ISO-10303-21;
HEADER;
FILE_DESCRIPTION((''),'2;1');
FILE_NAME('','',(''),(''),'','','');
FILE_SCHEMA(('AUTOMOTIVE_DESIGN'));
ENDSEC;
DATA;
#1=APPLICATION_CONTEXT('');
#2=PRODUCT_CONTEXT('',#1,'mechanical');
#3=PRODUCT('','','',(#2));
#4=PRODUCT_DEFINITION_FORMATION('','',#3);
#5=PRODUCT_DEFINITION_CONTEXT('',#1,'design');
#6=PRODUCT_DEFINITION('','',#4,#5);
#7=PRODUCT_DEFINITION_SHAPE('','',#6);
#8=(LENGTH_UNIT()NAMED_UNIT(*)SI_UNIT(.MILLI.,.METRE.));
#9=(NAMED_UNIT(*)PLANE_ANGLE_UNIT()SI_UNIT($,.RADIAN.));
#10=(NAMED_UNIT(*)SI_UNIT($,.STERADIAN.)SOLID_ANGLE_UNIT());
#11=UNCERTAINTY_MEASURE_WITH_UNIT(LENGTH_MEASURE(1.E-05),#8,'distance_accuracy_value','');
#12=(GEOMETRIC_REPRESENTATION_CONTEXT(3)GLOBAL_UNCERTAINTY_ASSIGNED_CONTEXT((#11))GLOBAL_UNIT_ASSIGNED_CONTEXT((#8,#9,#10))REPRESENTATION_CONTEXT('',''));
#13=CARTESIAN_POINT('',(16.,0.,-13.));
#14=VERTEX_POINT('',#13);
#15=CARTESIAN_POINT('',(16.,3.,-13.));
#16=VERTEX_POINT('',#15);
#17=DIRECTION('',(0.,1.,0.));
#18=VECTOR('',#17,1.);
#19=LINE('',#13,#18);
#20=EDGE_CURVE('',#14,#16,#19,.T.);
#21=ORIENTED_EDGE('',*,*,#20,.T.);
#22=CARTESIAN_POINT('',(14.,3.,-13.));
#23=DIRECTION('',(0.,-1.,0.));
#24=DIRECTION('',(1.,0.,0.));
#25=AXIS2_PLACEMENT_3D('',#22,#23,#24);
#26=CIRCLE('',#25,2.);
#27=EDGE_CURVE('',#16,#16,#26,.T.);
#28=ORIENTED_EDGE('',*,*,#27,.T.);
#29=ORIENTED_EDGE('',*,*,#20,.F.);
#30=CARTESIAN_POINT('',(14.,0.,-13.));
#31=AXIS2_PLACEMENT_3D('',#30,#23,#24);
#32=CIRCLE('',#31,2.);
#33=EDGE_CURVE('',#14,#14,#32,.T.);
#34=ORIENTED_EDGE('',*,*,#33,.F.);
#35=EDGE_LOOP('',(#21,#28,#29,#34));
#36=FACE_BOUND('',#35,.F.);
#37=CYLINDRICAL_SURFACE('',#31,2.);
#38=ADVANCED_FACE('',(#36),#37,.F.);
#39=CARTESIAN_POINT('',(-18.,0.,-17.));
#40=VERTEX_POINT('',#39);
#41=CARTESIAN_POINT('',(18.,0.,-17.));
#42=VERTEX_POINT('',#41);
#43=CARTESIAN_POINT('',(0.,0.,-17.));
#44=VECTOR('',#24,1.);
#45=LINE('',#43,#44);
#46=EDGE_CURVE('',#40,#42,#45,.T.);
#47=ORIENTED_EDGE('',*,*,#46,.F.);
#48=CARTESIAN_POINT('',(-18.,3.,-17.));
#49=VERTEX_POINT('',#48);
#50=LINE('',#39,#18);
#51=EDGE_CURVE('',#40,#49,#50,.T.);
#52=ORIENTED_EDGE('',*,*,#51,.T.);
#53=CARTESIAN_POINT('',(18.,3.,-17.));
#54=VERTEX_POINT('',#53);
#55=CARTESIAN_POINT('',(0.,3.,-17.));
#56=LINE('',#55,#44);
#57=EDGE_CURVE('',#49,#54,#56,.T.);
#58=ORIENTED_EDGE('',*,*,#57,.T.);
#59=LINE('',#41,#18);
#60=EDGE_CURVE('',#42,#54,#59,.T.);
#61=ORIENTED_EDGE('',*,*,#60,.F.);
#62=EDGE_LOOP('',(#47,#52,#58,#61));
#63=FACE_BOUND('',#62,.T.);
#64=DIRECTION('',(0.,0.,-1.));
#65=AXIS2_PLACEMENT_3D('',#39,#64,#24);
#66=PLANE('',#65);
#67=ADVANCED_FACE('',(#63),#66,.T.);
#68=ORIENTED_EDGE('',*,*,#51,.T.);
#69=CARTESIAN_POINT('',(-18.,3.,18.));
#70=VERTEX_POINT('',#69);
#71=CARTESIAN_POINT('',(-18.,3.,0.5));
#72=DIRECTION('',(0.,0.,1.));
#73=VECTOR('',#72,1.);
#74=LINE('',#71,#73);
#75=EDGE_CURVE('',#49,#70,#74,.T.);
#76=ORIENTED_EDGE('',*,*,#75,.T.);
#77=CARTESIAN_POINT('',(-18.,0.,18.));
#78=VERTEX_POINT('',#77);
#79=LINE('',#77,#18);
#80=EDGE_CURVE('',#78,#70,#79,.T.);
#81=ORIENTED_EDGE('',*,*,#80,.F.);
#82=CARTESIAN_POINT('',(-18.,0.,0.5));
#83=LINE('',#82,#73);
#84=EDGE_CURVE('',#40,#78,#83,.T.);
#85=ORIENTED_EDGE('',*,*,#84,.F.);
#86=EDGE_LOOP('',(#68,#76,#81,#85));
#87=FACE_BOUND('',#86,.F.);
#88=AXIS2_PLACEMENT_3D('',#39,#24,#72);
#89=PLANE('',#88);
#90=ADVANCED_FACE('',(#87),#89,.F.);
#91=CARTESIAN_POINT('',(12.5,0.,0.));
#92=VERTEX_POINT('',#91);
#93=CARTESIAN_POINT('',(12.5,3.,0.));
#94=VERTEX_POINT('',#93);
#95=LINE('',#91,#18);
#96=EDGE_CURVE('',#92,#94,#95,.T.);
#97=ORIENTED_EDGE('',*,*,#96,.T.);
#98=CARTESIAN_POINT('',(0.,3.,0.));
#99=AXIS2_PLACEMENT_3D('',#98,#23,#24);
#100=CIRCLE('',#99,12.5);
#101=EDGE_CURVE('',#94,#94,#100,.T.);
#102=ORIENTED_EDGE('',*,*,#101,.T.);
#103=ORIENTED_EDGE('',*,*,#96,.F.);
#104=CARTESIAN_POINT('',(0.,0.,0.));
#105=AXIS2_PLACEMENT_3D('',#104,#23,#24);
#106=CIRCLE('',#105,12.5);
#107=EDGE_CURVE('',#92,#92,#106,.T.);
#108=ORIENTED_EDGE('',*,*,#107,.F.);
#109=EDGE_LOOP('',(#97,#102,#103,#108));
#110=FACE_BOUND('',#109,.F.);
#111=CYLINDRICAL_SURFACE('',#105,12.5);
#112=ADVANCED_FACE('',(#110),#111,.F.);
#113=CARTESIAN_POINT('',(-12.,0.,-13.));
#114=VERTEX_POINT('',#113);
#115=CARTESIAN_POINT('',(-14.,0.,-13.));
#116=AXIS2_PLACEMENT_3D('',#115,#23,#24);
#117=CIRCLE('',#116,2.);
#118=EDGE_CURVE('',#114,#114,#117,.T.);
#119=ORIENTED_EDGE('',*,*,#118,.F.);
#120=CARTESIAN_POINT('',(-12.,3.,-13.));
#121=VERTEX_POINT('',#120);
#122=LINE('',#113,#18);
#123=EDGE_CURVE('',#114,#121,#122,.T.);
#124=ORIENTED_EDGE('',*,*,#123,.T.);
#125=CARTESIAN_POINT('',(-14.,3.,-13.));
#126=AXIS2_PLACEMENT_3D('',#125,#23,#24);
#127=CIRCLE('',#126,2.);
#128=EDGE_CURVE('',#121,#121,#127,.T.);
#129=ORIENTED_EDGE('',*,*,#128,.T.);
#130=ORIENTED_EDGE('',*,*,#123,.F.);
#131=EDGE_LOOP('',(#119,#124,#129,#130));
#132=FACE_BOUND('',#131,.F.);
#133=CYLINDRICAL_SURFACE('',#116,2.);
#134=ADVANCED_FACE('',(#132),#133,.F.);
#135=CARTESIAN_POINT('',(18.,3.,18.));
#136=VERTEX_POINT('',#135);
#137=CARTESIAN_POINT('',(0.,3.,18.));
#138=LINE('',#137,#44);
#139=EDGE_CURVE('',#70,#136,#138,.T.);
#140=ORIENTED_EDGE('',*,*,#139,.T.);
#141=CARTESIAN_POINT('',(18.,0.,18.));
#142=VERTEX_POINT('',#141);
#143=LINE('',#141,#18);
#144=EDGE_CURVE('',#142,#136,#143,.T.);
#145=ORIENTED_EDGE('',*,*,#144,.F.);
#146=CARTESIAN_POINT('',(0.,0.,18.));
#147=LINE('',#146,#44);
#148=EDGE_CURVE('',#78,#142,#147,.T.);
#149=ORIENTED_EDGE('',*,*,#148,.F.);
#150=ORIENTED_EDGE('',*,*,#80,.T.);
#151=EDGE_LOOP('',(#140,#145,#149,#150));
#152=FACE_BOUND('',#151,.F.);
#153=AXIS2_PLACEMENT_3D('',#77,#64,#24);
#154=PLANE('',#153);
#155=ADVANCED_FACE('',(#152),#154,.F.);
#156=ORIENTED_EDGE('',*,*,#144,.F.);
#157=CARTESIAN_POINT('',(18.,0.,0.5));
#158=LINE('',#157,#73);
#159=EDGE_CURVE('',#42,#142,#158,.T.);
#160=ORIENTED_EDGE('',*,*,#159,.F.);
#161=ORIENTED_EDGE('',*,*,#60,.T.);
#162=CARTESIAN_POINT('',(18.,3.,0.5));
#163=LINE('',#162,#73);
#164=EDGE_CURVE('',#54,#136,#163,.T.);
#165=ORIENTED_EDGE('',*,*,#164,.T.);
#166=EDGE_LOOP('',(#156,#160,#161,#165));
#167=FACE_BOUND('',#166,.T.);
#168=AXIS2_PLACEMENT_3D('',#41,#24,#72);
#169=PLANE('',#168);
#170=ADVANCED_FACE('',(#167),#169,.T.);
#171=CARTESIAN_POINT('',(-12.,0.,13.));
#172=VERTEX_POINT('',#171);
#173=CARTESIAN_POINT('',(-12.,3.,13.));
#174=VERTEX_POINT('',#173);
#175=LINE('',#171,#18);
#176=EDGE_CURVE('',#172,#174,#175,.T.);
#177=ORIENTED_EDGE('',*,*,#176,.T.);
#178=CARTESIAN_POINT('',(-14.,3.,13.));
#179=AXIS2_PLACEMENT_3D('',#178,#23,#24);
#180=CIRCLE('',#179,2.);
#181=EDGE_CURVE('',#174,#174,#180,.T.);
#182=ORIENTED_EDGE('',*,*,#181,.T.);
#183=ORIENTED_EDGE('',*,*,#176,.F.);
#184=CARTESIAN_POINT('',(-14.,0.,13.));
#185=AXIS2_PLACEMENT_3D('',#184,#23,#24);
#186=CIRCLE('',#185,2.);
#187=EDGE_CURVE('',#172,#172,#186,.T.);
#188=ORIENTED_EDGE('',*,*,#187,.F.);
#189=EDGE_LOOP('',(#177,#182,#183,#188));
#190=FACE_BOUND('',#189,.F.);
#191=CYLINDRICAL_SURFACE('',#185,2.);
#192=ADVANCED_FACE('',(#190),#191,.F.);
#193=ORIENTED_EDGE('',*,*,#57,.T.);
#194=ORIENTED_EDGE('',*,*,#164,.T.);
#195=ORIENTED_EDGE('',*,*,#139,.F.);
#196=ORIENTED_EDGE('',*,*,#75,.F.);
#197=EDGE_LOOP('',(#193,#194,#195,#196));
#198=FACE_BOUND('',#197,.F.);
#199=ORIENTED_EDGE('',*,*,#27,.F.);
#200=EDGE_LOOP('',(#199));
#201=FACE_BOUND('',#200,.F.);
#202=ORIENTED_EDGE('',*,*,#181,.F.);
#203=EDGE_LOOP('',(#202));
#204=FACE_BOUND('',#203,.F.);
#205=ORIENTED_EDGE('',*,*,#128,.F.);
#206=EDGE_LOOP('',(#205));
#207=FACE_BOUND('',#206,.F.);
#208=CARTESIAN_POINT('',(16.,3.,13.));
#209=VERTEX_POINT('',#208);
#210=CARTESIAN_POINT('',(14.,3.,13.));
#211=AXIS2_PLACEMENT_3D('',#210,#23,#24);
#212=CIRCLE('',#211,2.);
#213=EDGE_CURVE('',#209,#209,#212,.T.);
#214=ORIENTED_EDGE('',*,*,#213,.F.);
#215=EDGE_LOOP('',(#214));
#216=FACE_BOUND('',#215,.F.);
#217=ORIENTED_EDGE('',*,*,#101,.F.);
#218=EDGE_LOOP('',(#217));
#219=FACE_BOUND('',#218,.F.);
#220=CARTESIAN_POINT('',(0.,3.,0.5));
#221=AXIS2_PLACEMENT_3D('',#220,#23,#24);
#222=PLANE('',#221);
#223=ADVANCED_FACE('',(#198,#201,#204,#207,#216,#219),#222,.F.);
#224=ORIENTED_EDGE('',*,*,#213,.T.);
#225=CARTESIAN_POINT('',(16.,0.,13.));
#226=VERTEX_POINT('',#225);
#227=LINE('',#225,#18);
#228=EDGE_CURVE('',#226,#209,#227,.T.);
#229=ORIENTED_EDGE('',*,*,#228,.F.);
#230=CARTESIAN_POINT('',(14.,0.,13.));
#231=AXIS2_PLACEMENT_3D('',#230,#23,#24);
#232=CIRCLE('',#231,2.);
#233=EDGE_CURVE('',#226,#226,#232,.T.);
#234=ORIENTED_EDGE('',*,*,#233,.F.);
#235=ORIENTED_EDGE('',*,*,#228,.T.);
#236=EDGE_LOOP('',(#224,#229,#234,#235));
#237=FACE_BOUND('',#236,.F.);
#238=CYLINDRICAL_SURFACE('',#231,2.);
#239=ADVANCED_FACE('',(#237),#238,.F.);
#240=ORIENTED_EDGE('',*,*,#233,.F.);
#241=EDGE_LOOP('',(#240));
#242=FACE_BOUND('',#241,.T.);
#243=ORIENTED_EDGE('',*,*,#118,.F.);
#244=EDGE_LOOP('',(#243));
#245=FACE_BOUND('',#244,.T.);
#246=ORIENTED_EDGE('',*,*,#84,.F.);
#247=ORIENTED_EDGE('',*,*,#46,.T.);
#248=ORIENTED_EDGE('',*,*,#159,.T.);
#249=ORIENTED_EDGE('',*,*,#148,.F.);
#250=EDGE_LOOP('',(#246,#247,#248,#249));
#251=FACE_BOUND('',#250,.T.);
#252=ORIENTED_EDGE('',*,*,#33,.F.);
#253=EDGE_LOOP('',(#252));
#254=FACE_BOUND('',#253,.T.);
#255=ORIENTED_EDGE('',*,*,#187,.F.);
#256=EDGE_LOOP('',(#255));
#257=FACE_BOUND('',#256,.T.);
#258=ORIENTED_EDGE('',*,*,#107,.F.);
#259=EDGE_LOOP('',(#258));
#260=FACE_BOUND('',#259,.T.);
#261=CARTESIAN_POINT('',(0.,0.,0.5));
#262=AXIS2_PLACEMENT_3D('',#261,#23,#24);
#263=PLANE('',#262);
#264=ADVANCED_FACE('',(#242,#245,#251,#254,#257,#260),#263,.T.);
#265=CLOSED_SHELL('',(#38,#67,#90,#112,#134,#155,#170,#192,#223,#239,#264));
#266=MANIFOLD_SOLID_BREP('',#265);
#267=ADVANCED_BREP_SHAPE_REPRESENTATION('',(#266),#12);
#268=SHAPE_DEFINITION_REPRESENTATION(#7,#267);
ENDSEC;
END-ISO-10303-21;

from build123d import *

# Parameters (mm, degrees)
F0_W     = 36
F0_H     = 35
F0_R     = 2
F0_R_2   = 15
F0_R_3   = 12.5
F1_DEPTH = 3


with BuildPart() as f1:
    # F0 (on Front) → F1 (new body)
    with BuildSketch(Plane.XZ):
        with Locations((0, 0.5)):
            Rectangle(F0_W, F0_H)
        with Locations((-14, -13)):
            Circle(F0_R, mode=Mode.SUBTRACT)
        with Locations((14, -13)):
            Circle(F0_R, mode=Mode.SUBTRACT)
        Circle(F0_R_2, mode=Mode.SUBTRACT)
        with Locations((-14, 13)):
            Circle(F0_R, mode=Mode.SUBTRACT)
        with Locations((14, 13)):
            Circle(F0_R, mode=Mode.SUBTRACT)
        Circle(F0_R_2)
        Circle(F0_R_3, mode=Mode.SUBTRACT)
    extrude(amount=-F1_DEPTH)


solid = f1.part
